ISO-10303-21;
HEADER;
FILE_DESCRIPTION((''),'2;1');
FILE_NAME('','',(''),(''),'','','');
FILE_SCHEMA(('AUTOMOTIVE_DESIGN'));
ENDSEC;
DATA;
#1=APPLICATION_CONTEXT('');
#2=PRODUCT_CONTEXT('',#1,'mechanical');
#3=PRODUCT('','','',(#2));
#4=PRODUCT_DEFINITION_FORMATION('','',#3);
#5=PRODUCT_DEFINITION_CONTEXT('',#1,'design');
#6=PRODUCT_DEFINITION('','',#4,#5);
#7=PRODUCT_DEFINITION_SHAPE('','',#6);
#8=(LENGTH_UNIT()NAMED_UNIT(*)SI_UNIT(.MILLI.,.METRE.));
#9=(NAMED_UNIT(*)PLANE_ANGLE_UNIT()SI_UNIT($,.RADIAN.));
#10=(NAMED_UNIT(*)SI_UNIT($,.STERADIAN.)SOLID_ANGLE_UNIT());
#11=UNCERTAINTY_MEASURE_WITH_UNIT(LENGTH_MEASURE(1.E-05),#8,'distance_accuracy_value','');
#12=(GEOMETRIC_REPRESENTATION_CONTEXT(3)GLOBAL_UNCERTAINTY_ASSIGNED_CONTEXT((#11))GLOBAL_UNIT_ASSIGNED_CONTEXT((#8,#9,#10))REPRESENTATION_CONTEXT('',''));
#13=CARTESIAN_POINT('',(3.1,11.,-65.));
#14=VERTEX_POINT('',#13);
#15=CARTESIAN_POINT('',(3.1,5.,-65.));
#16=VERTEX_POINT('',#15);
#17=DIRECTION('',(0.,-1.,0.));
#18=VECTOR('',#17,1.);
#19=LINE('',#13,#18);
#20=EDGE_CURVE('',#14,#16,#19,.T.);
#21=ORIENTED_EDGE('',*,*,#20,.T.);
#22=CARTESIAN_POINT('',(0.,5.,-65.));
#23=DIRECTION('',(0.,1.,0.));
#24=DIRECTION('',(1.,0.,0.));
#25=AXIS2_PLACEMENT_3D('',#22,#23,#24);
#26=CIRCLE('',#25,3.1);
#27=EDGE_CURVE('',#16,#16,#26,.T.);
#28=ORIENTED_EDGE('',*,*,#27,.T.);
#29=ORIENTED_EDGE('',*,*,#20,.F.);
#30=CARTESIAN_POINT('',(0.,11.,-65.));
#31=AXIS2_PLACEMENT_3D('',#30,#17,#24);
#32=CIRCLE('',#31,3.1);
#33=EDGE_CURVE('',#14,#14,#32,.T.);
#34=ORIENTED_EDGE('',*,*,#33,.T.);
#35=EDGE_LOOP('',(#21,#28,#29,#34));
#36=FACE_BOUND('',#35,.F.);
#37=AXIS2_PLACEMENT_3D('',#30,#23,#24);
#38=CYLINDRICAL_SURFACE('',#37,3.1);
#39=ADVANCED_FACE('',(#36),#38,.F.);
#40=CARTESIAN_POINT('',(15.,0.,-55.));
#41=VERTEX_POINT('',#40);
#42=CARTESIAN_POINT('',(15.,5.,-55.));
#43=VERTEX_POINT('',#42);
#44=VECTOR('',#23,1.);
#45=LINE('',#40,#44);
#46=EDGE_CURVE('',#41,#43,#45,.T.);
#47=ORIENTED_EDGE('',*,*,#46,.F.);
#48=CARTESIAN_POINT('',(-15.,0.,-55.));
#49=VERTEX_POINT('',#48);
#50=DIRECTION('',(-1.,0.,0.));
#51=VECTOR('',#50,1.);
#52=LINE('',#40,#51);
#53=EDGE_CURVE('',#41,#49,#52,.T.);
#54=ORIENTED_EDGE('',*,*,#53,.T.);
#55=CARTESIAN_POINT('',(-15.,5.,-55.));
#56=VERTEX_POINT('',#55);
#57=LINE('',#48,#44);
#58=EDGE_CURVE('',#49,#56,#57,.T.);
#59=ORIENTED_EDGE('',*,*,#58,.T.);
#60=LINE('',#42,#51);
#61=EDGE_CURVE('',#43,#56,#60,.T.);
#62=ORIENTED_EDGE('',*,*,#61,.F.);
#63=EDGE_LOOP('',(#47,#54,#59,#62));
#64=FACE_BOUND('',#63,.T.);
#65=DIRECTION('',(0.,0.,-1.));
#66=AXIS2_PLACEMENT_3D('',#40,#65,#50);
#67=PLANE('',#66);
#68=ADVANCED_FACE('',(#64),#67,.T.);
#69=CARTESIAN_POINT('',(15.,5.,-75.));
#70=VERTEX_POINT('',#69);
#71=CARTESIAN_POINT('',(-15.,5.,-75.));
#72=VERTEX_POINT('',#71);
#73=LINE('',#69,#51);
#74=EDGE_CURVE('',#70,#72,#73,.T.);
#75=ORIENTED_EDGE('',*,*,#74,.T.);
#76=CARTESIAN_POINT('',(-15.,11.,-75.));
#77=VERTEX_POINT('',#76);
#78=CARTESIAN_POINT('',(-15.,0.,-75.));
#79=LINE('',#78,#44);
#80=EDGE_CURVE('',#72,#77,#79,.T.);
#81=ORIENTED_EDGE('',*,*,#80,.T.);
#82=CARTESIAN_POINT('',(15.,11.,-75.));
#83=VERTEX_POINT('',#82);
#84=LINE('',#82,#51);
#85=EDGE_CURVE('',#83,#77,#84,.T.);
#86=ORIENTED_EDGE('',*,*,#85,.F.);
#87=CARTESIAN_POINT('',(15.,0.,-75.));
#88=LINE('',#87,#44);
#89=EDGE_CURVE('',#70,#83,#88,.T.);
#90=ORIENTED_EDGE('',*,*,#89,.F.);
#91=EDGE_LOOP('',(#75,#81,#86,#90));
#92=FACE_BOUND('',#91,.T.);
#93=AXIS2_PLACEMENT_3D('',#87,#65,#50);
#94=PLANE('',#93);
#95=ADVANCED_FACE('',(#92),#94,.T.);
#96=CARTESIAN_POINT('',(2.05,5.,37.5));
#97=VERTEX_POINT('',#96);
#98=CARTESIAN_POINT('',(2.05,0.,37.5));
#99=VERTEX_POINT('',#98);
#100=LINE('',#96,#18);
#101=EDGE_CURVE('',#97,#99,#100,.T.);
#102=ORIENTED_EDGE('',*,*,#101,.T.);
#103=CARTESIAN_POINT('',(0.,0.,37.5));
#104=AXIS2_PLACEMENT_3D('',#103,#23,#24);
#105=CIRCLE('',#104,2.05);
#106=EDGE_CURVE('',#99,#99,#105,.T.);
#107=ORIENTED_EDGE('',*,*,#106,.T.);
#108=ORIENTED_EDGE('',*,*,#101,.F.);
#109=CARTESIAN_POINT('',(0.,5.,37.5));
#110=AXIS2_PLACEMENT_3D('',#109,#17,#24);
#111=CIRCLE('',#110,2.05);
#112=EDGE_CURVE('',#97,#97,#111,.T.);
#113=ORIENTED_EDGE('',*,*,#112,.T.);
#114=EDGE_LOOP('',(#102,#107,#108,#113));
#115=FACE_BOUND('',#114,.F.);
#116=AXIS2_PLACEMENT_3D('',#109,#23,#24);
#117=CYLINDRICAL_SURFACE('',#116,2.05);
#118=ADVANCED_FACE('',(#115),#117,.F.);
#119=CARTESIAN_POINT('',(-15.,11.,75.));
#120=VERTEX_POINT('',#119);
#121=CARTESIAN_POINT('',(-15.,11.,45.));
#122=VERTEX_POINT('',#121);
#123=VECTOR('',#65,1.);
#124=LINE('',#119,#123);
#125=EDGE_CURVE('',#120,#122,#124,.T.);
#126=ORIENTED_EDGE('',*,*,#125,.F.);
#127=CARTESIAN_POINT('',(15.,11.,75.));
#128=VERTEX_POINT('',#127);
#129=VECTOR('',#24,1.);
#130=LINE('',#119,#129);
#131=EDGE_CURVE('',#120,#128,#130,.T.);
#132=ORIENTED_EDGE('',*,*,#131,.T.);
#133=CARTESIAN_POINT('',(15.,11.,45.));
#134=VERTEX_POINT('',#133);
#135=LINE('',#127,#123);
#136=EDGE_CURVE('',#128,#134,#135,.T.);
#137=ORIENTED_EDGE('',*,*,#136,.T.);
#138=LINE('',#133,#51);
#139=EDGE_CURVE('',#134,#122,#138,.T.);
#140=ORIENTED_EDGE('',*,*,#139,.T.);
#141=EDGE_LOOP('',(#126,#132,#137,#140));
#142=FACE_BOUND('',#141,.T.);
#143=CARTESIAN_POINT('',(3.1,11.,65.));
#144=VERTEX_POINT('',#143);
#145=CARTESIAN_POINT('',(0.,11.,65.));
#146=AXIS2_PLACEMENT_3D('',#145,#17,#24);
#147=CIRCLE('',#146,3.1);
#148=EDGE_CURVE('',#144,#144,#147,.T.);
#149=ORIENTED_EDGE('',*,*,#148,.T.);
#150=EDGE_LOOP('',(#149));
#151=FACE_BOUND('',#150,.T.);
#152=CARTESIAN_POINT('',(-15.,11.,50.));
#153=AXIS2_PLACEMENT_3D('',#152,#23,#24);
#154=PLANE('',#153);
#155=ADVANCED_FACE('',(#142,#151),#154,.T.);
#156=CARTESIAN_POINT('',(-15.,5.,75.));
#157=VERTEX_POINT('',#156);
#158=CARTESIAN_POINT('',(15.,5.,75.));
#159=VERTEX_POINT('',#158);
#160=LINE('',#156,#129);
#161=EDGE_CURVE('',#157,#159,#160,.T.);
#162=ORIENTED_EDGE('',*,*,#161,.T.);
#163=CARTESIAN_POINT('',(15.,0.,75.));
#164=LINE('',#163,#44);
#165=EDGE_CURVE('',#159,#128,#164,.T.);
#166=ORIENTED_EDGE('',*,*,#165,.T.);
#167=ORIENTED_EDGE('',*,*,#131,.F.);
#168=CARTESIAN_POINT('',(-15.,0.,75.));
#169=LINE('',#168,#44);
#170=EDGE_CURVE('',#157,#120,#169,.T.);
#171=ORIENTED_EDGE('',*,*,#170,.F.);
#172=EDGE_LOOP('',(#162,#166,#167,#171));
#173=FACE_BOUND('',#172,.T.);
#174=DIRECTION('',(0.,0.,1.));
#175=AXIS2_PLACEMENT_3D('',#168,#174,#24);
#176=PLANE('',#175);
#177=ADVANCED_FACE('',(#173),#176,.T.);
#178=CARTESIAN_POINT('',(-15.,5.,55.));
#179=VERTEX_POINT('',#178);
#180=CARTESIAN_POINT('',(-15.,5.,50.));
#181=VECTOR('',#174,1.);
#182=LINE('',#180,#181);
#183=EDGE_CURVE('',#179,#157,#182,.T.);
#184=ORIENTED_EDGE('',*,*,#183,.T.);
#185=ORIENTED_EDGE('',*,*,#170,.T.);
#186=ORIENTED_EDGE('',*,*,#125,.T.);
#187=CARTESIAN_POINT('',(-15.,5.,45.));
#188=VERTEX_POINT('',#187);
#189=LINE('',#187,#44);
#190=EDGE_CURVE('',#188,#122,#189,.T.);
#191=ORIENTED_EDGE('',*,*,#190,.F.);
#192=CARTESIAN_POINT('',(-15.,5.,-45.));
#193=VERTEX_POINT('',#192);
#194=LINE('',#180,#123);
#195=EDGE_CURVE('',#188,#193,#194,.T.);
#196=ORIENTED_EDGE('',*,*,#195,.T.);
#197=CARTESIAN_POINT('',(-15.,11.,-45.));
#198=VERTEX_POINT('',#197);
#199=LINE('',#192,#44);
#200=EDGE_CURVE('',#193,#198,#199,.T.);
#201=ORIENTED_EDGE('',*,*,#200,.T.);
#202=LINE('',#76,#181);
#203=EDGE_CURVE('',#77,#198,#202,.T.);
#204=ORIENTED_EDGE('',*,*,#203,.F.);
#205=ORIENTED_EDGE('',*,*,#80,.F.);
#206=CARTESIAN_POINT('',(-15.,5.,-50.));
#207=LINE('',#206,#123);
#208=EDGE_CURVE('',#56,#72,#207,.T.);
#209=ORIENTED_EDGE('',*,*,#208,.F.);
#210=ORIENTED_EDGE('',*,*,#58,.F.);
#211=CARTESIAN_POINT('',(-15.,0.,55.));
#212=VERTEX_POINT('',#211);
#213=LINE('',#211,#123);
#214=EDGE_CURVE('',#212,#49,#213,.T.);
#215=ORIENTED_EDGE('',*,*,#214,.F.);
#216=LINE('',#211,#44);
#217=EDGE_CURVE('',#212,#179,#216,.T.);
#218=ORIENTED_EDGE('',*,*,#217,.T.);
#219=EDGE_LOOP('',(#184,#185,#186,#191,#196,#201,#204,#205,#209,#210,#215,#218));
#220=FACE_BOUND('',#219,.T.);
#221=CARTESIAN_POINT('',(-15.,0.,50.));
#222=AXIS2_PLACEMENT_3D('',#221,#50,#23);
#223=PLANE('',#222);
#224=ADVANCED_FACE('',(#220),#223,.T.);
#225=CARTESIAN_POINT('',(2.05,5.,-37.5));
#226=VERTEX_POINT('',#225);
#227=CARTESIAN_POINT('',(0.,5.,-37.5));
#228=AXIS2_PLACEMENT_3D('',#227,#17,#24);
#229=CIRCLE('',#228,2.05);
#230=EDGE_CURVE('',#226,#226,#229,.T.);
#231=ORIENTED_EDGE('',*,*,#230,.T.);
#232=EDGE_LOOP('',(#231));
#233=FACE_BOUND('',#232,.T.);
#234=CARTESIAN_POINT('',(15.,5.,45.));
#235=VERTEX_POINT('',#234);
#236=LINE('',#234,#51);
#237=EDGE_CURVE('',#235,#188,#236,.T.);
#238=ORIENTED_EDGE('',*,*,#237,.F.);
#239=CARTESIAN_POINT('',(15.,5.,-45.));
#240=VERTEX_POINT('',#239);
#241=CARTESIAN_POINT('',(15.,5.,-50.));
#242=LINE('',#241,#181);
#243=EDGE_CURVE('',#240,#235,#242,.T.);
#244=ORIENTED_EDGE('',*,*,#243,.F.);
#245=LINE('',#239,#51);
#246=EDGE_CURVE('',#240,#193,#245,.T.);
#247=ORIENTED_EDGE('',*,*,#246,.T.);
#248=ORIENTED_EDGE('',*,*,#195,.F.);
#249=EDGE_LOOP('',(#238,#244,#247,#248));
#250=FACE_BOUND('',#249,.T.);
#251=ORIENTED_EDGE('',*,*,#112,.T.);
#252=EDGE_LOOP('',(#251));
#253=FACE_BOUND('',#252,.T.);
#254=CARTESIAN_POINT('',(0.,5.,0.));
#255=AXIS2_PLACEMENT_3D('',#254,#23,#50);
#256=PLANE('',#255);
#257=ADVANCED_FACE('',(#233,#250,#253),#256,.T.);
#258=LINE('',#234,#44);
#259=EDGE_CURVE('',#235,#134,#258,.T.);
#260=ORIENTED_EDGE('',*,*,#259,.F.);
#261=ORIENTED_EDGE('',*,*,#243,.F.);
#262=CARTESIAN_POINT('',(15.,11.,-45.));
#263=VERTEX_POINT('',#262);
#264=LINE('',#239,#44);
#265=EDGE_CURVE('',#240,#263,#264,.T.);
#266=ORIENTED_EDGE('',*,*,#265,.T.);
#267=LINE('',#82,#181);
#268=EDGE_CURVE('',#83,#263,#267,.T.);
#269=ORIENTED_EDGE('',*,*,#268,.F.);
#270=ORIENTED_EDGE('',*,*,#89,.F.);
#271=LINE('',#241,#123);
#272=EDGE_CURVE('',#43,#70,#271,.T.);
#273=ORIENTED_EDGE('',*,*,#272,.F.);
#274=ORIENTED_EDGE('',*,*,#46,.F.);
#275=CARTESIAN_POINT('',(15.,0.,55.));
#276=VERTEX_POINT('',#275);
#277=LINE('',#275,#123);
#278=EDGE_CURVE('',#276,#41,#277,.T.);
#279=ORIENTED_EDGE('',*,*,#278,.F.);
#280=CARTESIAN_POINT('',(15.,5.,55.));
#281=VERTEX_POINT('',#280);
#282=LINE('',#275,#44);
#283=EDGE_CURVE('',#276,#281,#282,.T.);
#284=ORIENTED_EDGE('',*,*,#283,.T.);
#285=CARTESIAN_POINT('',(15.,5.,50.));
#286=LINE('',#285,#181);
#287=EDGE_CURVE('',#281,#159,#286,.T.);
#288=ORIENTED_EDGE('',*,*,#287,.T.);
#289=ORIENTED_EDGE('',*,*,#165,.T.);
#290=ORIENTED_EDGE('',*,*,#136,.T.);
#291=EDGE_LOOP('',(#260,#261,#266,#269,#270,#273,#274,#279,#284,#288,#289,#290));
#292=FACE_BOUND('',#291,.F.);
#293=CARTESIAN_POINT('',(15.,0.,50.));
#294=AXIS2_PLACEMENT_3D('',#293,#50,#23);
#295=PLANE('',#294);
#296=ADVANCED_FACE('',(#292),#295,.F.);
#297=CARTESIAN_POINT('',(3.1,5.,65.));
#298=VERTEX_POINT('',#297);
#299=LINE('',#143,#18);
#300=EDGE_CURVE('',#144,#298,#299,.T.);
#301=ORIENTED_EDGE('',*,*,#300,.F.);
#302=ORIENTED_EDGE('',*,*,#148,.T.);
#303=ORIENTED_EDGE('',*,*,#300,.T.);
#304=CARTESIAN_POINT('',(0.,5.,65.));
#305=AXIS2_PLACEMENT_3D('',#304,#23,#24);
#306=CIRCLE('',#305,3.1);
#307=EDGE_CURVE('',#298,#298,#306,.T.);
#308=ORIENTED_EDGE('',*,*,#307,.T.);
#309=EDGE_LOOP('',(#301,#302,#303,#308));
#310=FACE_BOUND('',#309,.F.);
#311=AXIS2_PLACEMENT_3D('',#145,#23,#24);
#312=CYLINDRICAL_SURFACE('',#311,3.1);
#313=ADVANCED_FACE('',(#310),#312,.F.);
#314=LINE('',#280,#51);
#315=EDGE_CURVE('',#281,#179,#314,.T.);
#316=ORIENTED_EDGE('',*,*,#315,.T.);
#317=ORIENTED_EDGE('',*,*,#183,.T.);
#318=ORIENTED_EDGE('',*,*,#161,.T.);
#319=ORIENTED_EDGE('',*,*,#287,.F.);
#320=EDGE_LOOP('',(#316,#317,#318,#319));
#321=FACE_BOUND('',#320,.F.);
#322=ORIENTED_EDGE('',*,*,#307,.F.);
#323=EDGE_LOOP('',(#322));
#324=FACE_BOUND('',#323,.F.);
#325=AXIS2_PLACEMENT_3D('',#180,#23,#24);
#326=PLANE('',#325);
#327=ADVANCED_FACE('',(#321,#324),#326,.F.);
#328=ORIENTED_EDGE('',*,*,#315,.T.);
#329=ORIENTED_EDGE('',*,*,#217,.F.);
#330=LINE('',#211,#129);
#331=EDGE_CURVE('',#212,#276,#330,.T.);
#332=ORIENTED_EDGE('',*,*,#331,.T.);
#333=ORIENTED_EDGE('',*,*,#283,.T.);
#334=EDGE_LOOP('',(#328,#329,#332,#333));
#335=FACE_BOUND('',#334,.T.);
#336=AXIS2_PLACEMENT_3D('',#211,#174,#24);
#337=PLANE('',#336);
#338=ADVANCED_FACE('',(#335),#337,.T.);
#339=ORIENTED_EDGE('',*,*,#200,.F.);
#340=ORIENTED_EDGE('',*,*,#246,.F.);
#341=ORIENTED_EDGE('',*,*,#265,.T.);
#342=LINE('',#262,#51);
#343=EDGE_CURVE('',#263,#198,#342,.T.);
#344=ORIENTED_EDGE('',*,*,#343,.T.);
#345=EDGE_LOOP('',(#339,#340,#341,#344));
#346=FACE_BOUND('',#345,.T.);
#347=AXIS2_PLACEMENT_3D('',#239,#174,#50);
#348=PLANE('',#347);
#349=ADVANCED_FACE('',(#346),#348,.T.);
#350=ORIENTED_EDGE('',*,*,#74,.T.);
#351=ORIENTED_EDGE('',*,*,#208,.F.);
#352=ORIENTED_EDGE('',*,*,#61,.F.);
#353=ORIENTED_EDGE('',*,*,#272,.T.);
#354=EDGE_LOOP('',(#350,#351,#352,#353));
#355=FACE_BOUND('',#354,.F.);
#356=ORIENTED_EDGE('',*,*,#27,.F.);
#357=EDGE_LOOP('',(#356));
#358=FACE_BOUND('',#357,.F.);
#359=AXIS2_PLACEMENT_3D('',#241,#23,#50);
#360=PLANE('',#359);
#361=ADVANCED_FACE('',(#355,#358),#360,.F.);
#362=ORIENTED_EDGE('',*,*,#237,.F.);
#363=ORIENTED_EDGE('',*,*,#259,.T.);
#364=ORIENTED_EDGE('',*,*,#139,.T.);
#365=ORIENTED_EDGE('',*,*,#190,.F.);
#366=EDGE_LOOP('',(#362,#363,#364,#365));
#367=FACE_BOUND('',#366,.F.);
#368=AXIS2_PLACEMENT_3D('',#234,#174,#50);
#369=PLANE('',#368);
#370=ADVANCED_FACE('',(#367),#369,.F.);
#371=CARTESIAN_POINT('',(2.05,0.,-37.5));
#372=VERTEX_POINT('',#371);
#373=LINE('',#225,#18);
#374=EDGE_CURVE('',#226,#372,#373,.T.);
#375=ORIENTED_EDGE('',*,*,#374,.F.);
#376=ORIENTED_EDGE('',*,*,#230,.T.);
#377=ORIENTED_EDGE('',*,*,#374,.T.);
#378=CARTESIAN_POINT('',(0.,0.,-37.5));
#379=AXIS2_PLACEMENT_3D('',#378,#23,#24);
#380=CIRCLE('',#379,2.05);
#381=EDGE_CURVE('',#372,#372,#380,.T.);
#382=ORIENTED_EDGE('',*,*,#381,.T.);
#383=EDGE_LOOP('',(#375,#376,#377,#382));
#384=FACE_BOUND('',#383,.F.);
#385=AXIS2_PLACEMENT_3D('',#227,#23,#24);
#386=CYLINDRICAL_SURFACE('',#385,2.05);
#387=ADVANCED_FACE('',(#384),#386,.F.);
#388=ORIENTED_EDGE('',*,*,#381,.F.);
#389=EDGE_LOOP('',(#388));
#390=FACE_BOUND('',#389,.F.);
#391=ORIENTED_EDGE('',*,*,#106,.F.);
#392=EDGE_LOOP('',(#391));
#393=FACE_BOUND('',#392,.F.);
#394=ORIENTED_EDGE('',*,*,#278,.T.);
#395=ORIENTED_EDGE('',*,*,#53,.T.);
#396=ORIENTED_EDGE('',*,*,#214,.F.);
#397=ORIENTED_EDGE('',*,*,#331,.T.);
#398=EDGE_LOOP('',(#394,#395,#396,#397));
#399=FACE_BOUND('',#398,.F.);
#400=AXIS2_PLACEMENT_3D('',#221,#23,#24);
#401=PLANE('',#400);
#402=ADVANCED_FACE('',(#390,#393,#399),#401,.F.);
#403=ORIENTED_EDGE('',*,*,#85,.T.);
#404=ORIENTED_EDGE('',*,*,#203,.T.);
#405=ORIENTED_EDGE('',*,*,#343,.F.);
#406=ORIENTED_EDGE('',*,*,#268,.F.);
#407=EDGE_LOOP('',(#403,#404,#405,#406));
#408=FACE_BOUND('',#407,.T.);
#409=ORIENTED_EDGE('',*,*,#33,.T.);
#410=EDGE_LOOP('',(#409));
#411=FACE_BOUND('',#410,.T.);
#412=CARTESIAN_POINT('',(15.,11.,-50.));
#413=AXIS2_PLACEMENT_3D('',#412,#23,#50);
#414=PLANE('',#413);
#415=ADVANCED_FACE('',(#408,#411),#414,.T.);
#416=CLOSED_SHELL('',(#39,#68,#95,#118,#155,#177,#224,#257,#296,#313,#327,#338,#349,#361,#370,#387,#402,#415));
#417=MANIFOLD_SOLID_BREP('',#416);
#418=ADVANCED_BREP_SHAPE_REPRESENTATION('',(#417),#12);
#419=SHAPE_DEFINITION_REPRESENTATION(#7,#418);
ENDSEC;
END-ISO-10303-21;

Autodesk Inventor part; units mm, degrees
ref_plane "YZ Plane" through (0, 0, 0) normal (1, 0, 0) x (0, 1, 0)
ref_plane "XZ Plane" through (0, 0, 0) normal (0, 1, 0) x (-1, 0, 0)
ref_plane "XY Plane" through (0, 0, 0) normal (0, 0, 1) x (1, 0, 0)
sketch "Skizze1" plane through (0, 0, 0) normal (0, 1, 0) x (-1, 0, 0)
  line L0 (-15, 50) -> (15, 50)
  line L1 (15, 50) -> (15, -50)
  line L2 (15, -50) -> (-15, -50)
  line L3 (-15, -50) -> (-15, 50)
  line L4 (-15, 50) -> (15, -50) construction
  line L5 (15, 50) -> (-15, -50) construction
  point P0 (0, 0)
  dimension "d0" = 30
  dimension "d1" = 100
extrude "Extrusion1" add sketch "Skizze1" along normal blind 5
sketch "Skizze2" plane through (0, 5, 0) normal (0, 1, 0) x (1, 0, 0)
  line L0 (15, 50) -> (-15, 50) projected
  line L1 (-15, 50) -> (-15, -50) projected
  line L2 (-15, -50) -> (15, -50) projected
  line L3 (15, -50) -> (15, 50) projected
  line L4 (-15, -50) -> (15, -50) projected
  line L5 (0, -37.5) -> (0, 37.5)
  circle A0 centre (0, -37.5) radius 2.05
  circle A1 centre (0, 37.5) radius 2.05
  point P0 (0, 0)
  dimension "d22" = 75
  dimension "d23" = 4.1
  dimension "d24" = 4.1
sketch "Skizze3" plane through (0, 5, 0) normal (0, 1, 0) x (1, 0, 0)
  line L0 (-15, -50) -> (15, -50) projected
  line L1 (-15, -50) -> (0, -50)
  line L2 (0, -37.5) -> (0, 37.5)
  circle A0 centre (0, -37.5) radius 2.05
  circle A1 centre (0, 37.5) radius 2.05
  line L3 (15, -50) -> (15, 50) projected
  line L4 (-15, -50) -> (15, -50)
  line L5 (15, -50) -> (15, -45)
  line L6 (15, -45) -> (-15, -45)
  line L7 (-15, -45) -> (-15, -50)
  line L8 (-15, 50) -> (15, 50)
  line L9 (15, 50) -> (15, 45)
  line L10 (15, 45) -> (-15, 45)
  line L11 (-15, 45) -> (-15, 50)
  point P0 (0, 0)
  dimension "d4" = 15
  dimension "d5" = 12.5
  dimension "d6" = 75
  dimension "d7" = 4.1
  dimension "d8" = 4.1
  dimension "d9" = 5
  dimension "d10" = 5
extrude "Extrusion2" add sketch "Skizze3" along normal blind 6 contours L7 L6 L3 L0 | L10 L11 L8 L3
sketch "Skizze4" plane through (-15, 0, 50) normal (0, 0, 1) x (1, 0, 0)
  line L0 (0, 0) -> (30, 0) projected
  line L1 (30, 0) -> (30, 11) projected
  line L2 (0, 11) -> (30, 11) projected
  line L3 (0, 0) -> (0, 11) projected
  line L4 (0, 5) -> (30, 5) projected
  point P0 (15, 0)
extrude "Extrusion3" add sketch "Skizze4" along normal blind 25 contours L3 L2 L1 L4
sketch "Skizze5" plane through (15, 0, -50) normal (0, 0, -1) x (-1, 0, 0)
  line L0 (0, 0) -> (30, 0) projected
  line L1 (30, 0) -> (30, 11) projected
  line L2 (0, 11) -> (30, 11) projected
  line L3 (0, 0) -> (0, 11) projected
  line L4 (0, 5) -> (30, 5) projected
  point P0 (15, 0)
extrude "Extrusion4" add sketch "Skizze5" along normal blind 25 contours L3 L2 L1 L4
sketch "Skizze6" plane through (15, 0, -50) normal (0, 0, -1) x (-1, 0, 0)
  line L0 (0, 5) -> (30, 5) projected
  line L1 (0, 0) -> (30, 0) projected
  line L2 (30, 5) -> (0, 5) projected
  line L3 (0, 0) -> (0, 5) projected
  line L4 (0, 0) -> (30, 0) projected
  line L5 (30, 0) -> (30, 5) projected
  point P0 (15, 0)
extrude "Extrusion5" add sketch "Skizze6" along normal blind 5
sketch "Skizze7" plane through (-15, 0, 50) normal (0, 0, 1) x (1, 0, 0)
  line L0 (30, 5) -> (0, 5) projected
  line L1 (0, 0) -> (0, 5) projected
  line L2 (0, 0) -> (30, 0) projected
  line L3 (30, 0) -> (30, 5) projected
  point P0 (15, 0)
extrude "Extrusion6" add sketch "Skizze7" along normal blind 5
extrude "Extrusion7" cut sketch "Skizze2" against normal blind 5 contours A1 | A0
sketch "Skizze8" plane through (0, 11, 0) normal (0, 1, 0) x (1, 0, 0)
  line L0 (15, -45) -> (15, -75) projected
  line L1 (15, -45) -> (-15, -45) projected
  line L2 (-15, -45) -> (-15, -75) projected
  line L3 (15, -75) -> (-15, -75) projected
  line L4 (0, -75) -> (0, -65)
  circle A0 centre (0, -65) radius 3.1
  line L5 (-15, 45) -> (-15, 75) projected
  line L6 (-15, 45) -> (15, 45) projected
  line L7 (15, 45) -> (15, 75) projected
  line L8 (-15, 75) -> (15, 75) projected
  line L9 (0, 75) -> (0, 65)
  circle A1 centre (0, 65) radius 3.1
  point P0 (0, 0)
  dimension "d27" = 10
  dimension "d28" = 6.2
  dimension "d29" = 10
  dimension "d30" = 6.2
extrude "Extrusion8" cut sketch "Skizze8" against normal blind 7 contours A0 | A1
properties part number "DepthCAM"
